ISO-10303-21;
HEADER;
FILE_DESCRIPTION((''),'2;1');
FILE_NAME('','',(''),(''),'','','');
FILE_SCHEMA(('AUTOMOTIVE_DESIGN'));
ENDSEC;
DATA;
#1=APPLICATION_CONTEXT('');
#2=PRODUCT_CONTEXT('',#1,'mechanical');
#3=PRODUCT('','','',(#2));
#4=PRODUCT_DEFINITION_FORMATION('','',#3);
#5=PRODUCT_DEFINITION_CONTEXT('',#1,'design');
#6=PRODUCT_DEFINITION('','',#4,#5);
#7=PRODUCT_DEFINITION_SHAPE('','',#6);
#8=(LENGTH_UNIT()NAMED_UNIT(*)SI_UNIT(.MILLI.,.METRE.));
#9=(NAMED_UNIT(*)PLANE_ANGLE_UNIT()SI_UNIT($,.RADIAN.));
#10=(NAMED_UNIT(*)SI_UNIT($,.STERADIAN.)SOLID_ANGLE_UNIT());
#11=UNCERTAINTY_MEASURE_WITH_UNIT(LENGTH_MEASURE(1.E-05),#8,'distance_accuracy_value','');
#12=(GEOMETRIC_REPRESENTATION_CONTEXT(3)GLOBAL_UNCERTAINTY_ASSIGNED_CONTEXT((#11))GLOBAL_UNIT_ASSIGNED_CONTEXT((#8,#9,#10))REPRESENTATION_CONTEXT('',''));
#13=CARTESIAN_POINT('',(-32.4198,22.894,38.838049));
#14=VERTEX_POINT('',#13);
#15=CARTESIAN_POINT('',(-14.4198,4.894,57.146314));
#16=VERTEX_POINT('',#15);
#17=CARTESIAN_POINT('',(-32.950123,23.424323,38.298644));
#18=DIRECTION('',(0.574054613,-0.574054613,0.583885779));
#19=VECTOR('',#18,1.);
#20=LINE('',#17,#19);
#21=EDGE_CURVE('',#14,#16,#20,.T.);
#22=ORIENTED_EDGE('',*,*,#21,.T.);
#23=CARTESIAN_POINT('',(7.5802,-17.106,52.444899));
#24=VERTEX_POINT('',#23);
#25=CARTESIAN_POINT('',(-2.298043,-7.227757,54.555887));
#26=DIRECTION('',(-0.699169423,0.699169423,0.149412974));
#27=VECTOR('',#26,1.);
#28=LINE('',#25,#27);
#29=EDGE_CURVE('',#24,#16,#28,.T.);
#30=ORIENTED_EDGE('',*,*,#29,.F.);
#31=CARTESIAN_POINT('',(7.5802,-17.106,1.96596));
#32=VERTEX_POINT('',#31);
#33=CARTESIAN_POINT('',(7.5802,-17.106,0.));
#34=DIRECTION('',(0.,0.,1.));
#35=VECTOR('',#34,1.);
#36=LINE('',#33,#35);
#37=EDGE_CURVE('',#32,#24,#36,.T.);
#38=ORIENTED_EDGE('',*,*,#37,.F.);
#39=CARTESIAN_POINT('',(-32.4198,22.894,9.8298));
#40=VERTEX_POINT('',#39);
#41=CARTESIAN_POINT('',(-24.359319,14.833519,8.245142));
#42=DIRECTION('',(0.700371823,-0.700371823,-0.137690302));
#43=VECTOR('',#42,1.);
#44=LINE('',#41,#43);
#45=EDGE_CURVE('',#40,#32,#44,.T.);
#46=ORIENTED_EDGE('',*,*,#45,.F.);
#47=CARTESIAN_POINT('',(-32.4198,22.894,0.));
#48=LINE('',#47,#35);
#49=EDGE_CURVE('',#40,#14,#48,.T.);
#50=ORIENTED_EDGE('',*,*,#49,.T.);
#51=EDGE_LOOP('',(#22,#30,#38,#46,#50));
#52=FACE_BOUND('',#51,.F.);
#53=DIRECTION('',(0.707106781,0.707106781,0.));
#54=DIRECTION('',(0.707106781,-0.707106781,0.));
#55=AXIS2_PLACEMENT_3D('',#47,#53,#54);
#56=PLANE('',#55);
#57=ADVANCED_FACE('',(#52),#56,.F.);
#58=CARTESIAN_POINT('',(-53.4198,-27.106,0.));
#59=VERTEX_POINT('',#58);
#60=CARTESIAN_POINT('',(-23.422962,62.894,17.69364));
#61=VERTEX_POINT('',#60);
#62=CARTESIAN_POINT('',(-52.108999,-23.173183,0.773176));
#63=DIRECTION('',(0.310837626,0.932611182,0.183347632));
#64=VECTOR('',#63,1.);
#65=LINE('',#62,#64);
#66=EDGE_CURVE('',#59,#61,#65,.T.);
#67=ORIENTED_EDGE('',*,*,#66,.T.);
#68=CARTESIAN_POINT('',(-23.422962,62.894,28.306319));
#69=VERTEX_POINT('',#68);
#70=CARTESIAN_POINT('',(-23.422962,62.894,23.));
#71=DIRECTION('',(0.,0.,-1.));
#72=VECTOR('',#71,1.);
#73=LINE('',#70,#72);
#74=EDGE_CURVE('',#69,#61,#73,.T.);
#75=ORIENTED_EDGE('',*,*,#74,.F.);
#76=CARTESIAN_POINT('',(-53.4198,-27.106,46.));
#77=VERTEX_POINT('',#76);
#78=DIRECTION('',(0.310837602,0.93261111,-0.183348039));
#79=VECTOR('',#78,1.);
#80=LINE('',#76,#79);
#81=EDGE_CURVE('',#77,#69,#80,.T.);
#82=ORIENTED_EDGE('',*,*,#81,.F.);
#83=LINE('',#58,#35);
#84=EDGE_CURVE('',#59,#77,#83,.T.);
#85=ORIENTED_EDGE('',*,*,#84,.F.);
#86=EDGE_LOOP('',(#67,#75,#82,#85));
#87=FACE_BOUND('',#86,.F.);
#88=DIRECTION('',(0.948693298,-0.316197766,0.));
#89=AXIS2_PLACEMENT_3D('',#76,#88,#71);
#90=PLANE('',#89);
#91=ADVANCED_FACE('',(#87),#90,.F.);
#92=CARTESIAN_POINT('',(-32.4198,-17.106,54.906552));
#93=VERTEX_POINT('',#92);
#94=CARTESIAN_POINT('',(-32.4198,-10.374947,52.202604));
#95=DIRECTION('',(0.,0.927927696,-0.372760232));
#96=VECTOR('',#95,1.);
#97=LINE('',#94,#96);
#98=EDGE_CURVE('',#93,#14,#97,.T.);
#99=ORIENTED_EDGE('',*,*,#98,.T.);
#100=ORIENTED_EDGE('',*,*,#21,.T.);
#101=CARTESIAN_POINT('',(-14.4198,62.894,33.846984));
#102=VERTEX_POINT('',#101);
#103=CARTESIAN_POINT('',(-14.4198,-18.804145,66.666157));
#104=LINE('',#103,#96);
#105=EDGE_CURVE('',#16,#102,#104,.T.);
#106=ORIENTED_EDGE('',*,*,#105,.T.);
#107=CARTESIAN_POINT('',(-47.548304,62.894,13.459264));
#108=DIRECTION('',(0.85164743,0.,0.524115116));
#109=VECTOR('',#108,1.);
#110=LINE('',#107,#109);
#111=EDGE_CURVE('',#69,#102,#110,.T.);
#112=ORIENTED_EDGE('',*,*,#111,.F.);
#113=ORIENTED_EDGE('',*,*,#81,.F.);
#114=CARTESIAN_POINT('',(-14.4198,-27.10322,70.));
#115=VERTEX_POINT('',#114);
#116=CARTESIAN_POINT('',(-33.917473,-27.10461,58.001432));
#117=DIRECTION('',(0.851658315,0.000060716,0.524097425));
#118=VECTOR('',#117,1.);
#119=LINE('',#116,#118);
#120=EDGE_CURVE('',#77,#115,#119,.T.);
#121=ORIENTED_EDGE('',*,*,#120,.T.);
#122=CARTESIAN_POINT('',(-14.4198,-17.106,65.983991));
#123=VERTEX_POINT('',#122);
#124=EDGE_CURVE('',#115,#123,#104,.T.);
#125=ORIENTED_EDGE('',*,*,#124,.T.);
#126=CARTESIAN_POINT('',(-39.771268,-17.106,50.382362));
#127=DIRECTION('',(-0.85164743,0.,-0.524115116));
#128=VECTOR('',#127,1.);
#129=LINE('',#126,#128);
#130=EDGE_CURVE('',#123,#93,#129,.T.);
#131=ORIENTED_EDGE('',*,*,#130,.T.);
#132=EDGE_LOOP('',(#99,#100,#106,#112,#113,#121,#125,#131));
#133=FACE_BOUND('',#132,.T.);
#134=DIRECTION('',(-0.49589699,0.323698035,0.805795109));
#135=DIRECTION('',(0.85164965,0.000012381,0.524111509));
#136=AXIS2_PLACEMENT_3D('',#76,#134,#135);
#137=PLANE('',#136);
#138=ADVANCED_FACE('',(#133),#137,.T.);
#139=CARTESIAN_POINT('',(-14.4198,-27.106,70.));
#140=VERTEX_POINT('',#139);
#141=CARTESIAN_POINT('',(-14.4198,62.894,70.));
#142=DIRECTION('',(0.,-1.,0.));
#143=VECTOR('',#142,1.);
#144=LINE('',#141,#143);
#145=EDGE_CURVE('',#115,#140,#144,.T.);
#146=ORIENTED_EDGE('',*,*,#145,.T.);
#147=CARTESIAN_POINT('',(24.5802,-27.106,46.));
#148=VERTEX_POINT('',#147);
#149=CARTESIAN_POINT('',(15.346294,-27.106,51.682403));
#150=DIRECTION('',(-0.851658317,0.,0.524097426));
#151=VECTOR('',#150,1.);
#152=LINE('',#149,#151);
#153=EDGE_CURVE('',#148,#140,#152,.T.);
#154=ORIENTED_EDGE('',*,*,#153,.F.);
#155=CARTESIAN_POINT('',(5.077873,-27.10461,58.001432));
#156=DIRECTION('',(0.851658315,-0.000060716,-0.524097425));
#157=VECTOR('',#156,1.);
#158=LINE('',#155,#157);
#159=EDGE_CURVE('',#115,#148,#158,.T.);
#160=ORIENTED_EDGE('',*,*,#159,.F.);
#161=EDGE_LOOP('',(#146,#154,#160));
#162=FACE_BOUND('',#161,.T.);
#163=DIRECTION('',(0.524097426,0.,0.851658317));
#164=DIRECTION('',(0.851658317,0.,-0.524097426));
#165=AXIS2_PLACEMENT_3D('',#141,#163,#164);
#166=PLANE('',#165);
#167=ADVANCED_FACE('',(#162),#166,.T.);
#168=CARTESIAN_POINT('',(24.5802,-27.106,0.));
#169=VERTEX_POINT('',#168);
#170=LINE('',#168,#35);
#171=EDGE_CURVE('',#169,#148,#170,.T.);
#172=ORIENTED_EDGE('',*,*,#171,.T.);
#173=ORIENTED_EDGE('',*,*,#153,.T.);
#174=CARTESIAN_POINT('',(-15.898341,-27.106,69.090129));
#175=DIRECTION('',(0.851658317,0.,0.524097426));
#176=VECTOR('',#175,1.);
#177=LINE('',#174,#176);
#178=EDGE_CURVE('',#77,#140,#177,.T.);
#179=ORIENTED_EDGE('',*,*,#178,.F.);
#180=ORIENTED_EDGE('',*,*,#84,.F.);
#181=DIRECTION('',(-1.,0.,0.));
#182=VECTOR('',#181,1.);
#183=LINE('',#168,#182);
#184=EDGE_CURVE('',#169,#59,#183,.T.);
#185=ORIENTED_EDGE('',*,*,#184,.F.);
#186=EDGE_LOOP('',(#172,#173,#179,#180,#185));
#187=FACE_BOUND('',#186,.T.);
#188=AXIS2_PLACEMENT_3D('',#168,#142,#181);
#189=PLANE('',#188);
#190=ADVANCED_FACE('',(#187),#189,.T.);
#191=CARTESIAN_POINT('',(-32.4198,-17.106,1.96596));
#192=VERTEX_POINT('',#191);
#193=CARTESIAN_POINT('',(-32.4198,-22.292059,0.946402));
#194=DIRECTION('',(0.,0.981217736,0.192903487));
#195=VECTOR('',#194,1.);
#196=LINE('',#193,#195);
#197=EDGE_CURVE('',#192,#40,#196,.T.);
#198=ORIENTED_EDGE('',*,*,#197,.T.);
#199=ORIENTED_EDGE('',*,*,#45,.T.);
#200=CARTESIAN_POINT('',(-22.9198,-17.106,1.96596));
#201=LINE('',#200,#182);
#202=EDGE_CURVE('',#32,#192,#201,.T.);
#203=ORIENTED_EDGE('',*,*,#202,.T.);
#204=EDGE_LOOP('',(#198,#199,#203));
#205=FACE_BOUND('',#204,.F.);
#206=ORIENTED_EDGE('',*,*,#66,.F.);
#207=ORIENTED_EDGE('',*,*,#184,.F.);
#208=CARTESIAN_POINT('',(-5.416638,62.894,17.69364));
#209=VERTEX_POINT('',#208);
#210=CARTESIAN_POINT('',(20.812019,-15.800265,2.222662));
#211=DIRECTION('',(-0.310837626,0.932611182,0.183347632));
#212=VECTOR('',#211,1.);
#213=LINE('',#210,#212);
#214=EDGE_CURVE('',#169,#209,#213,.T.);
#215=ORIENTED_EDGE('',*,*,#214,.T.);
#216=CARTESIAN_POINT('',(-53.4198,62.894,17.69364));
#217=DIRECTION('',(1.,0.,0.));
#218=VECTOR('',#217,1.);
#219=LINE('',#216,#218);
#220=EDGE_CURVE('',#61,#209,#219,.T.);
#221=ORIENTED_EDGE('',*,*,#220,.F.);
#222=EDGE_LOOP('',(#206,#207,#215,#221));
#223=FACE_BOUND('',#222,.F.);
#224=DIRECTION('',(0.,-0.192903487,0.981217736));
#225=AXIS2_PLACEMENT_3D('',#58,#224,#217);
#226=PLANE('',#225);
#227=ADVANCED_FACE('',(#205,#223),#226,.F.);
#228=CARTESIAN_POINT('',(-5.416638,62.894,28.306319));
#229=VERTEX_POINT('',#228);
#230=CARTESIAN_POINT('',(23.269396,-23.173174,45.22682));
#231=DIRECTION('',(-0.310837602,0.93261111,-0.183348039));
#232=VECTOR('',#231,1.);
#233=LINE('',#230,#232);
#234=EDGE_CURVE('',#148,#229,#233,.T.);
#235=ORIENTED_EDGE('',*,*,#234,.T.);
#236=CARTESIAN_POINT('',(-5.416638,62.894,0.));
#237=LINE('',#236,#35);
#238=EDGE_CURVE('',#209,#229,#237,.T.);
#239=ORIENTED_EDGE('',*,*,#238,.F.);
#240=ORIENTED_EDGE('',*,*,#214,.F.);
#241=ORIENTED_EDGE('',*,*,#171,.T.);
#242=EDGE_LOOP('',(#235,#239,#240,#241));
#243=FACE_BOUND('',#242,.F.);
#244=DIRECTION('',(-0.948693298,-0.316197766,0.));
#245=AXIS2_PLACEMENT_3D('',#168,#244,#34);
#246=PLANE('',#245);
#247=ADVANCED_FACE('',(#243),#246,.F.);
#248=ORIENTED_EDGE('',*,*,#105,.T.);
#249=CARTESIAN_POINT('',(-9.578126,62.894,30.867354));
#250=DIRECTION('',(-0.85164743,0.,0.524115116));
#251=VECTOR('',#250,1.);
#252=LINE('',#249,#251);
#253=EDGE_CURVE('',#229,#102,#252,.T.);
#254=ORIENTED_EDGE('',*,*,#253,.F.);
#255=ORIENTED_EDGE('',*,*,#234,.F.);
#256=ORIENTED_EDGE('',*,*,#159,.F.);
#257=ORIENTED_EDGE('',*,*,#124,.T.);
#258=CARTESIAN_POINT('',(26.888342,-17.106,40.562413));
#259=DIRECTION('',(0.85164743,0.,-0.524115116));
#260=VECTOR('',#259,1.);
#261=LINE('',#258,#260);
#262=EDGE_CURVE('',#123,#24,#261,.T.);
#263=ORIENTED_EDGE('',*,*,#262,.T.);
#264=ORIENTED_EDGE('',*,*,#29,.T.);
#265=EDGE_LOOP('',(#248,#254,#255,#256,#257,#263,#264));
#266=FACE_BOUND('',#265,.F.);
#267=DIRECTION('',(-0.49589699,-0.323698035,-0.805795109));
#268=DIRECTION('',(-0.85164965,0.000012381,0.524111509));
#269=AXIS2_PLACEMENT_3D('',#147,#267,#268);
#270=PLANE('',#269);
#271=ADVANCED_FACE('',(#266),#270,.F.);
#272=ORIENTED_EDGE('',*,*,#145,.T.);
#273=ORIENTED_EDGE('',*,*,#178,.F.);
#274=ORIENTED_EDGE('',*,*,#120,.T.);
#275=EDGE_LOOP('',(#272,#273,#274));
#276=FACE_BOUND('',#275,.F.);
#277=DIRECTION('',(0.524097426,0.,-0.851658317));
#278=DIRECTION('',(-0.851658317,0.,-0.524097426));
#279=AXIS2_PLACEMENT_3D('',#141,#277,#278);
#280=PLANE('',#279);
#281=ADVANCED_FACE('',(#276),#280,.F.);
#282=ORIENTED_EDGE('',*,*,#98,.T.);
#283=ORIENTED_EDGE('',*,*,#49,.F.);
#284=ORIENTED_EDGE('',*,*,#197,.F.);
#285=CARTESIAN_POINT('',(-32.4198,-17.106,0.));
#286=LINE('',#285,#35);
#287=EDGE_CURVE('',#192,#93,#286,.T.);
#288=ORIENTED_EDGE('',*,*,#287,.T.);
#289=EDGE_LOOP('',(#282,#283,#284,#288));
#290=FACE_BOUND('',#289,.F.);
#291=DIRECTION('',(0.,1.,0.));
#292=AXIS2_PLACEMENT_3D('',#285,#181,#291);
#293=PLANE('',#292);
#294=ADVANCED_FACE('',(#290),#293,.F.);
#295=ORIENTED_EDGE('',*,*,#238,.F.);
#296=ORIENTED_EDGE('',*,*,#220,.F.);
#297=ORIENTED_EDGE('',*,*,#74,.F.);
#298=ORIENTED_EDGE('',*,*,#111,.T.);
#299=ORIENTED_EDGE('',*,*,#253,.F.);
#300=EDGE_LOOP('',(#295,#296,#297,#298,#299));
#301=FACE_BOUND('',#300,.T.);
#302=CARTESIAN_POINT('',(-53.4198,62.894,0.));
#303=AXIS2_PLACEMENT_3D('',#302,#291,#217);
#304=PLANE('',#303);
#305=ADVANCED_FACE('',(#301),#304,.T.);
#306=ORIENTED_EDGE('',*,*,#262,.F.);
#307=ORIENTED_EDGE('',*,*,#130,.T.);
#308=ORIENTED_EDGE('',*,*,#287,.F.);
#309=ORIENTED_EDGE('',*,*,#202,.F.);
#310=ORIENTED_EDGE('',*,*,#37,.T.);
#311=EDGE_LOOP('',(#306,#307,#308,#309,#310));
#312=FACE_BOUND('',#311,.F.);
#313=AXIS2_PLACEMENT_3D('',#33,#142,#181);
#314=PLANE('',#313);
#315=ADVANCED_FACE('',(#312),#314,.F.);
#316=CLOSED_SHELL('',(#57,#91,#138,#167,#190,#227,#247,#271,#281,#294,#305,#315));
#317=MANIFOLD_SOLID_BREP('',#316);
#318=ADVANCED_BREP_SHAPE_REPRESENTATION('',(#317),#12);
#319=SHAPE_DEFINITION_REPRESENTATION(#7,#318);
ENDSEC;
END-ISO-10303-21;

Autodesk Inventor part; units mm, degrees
sketch "Эскиз1" plane through (0, 0, 0) normal (0, 0, 1) x (1, 0, 0)
  line L0 (-53.4198, 62.894) -> (24.5802, 62.894)
  line L1 (24.5802, 62.894) -> (24.5802, -27.106)
  line L2 (24.5802, -27.106) -> (-53.4198, -27.106)
  line L3 (-53.4198, -27.106) -> (-53.4198, 62.894)
  line L4 (7.5802, -17.106) -> (-32.4198, -17.106)
  line L5 (-32.4198, -17.106) -> (-32.4198, 22.894)
  line L6 (-32.4198, 22.894) -> (7.5802, -17.106)
  point P0 (0, 0)
  point P1 (-14.4198, -27.106)
  point P2 (-14.4198, -17.106)
  dimension "d0" = 78
  dimension "d1" = 90
  dimension "d4" = 18
  dimension "d5" = 0
  dimension "d6" = 40
  dimension "d7" = 40
  dimension "d8" = 10
extrude "Выдавливание1" add sketch "Эскиз1" along normal blind 70
sketch "Эскиз3" plane through (-53.4198, 62.894, 0) normal (0, 1, 0) x (1, 0, 0)
  line L0 (78, -70) -> (0, -70) projected
  line L1 (39, -70) -> (78, -46)
  line L2 (78, 0) -> (78, -70) projected
  line L3 (78, 0) -> (0, 0) projected
  line L4 (39, -70) -> (0, -46)
  line L5 (0, 0) -> (0, -70) projected
  line L6 (0, -46) -> (0, 0)
  line L7 (0, 0) -> (78, 0)
  line L8 (78, 0) -> (78, -46)
  point P0 (53.4198, 0)
  dimension "d14" = 46
extrude "Выдавливание2" cut sketch "Эскиз3" against normal blind 1000 contours L4 L5 L3 L2 L1 keep common part
sketch "Эскиз4" plane through (-53.4198, 62.894, 0) normal (0, 1, 0) x (1, 0, 0)
  line L0 (78, 0) -> (0, 0) projected
  line L1 (0, 0) -> (78, 0)
  line L2 (0, 0) -> (0, -46) projected
  line L3 (0, -23) -> (78, -23)
  line L4 (78, 0) -> (78, -46) projected
  line L5 (39, -23) -> (78, 0)
  line L6 (78, -46) -> (39, -70) projected
  line L7 (39, -23) -> (78, -46)
  line L8 (39, -23) -> (0, -46)
  line L9 (39, -23) -> (0, 0)
  line L10 (30, -17.6923) -> (48, -17.6923)
  line L11 (48, -17.6923) -> (48, -28.3077)
  line L12 (48, -28.3077) -> (30, -28.3077)
  line L13 (30, -28.3077) -> (30, -17.6923)
  line L14 (39, -70) -> (61, -56.4615) projected
  line L15 (39, -23) -> (39, -70)
  line L16 (48, -28.3077) -> (39, -33.8468)
  line L17 (39, -33.8468) -> (30, -28.3077)
  point P0 (53.4198, 0)
  point P1 (39, -17.6923)
  point P2 (30, -23)
  dimension "d17" = 23
  dimension "d18" = 18
  dimension "d19" = 0
  dimension "d20" = 62.137
  dimension "d21" = 0
  dimension "d22" = 62.14
ref_plane "РабПлоскость1" through (-53.4198, -27.106, 46) normal (-0.4959, 0.3237, 0.8058) x (0.8517, 0, 0.5241)
ref_plane "РабПлоскость2" through (24.5802, -27.106, 46) normal (-0.4959, -0.3237, -0.8058) x (-0.8517, 0, 0.5241)
ref_plane "РабПлоскость3" through (24.5802, -27.106, 0) normal (-0.9487, -0.3162, 0) x (0, 0, 1)
ref_plane "РабПлоскость4" through (-53.4198, -27.106, 0) normal (0, -0.1929, 0.9812) x (1, 0, 0)
ref_plane "РабПлоскость5" through (-53.4198, -27.106, 46) normal (0.9487, -0.3162, 0) x (0, 0, -1)
sketch "Эскиз5" plane through (24.5802, -27.106, 46) normal (-0.4959, -0.3237, -0.8058) x (-0.8517, 0, 0.5241)
  circle A0 centre (16.0933, 68.0296) radius 120.9619
  point P0 (-3.1746, 42.498)
extrude "Выдавливание3" cut sketch "Эскиз5" along normal blind 1000 keep common part
sketch "Эскиз6" plane through (-53.4198, -27.106, 46) normal (-0.4959, 0.3237, 0.8058) x (0.8517, 0, 0.5241)
  circle A0 centre (5.8398, 44.8642) radius 111.1599
  point P0 (21.3869, 47.3906)
extrude "Выдавливание4" cut sketch "Эскиз6" against normal blind 1000 keep common part
sketch "Эскиз7" plane through (24.5802, -27.106, 0) normal (-0.9487, -0.3162, 0) x (0, 0, 1)
  circle A0 centre (24.0277, 56.8574) radius 86.5432
  point P0 (0, 33.4879)
extrude "Выдавливание5" cut sketch "Эскиз7" along normal blind 1000 keep common part
sketch "Эскиз8" plane through (-53.4198, -27.106, 0) normal (0, -0.1929, 0.9812) x (1, 0, 0)
  circle A0 centre (24.124, 48.0247) radius 96.9769
  point P0 (53.4198, 26.5969)
extrude "Выдавливание6" cut sketch "Эскиз8" along normal blind 1000 keep common part
sketch "Эскиз9" plane through (-53.4198, -27.106, 46) normal (0.9487, -0.3162, 0) x (0, 0, -1)
  circle A0 centre (10.0162, 69.3054) radius 109.293
  point P0 (46, 42.6078)
extrude "Выдавливание7" cut sketch "Эскиз9" along normal blind 1000 keep common part
properties part number "1_1"
